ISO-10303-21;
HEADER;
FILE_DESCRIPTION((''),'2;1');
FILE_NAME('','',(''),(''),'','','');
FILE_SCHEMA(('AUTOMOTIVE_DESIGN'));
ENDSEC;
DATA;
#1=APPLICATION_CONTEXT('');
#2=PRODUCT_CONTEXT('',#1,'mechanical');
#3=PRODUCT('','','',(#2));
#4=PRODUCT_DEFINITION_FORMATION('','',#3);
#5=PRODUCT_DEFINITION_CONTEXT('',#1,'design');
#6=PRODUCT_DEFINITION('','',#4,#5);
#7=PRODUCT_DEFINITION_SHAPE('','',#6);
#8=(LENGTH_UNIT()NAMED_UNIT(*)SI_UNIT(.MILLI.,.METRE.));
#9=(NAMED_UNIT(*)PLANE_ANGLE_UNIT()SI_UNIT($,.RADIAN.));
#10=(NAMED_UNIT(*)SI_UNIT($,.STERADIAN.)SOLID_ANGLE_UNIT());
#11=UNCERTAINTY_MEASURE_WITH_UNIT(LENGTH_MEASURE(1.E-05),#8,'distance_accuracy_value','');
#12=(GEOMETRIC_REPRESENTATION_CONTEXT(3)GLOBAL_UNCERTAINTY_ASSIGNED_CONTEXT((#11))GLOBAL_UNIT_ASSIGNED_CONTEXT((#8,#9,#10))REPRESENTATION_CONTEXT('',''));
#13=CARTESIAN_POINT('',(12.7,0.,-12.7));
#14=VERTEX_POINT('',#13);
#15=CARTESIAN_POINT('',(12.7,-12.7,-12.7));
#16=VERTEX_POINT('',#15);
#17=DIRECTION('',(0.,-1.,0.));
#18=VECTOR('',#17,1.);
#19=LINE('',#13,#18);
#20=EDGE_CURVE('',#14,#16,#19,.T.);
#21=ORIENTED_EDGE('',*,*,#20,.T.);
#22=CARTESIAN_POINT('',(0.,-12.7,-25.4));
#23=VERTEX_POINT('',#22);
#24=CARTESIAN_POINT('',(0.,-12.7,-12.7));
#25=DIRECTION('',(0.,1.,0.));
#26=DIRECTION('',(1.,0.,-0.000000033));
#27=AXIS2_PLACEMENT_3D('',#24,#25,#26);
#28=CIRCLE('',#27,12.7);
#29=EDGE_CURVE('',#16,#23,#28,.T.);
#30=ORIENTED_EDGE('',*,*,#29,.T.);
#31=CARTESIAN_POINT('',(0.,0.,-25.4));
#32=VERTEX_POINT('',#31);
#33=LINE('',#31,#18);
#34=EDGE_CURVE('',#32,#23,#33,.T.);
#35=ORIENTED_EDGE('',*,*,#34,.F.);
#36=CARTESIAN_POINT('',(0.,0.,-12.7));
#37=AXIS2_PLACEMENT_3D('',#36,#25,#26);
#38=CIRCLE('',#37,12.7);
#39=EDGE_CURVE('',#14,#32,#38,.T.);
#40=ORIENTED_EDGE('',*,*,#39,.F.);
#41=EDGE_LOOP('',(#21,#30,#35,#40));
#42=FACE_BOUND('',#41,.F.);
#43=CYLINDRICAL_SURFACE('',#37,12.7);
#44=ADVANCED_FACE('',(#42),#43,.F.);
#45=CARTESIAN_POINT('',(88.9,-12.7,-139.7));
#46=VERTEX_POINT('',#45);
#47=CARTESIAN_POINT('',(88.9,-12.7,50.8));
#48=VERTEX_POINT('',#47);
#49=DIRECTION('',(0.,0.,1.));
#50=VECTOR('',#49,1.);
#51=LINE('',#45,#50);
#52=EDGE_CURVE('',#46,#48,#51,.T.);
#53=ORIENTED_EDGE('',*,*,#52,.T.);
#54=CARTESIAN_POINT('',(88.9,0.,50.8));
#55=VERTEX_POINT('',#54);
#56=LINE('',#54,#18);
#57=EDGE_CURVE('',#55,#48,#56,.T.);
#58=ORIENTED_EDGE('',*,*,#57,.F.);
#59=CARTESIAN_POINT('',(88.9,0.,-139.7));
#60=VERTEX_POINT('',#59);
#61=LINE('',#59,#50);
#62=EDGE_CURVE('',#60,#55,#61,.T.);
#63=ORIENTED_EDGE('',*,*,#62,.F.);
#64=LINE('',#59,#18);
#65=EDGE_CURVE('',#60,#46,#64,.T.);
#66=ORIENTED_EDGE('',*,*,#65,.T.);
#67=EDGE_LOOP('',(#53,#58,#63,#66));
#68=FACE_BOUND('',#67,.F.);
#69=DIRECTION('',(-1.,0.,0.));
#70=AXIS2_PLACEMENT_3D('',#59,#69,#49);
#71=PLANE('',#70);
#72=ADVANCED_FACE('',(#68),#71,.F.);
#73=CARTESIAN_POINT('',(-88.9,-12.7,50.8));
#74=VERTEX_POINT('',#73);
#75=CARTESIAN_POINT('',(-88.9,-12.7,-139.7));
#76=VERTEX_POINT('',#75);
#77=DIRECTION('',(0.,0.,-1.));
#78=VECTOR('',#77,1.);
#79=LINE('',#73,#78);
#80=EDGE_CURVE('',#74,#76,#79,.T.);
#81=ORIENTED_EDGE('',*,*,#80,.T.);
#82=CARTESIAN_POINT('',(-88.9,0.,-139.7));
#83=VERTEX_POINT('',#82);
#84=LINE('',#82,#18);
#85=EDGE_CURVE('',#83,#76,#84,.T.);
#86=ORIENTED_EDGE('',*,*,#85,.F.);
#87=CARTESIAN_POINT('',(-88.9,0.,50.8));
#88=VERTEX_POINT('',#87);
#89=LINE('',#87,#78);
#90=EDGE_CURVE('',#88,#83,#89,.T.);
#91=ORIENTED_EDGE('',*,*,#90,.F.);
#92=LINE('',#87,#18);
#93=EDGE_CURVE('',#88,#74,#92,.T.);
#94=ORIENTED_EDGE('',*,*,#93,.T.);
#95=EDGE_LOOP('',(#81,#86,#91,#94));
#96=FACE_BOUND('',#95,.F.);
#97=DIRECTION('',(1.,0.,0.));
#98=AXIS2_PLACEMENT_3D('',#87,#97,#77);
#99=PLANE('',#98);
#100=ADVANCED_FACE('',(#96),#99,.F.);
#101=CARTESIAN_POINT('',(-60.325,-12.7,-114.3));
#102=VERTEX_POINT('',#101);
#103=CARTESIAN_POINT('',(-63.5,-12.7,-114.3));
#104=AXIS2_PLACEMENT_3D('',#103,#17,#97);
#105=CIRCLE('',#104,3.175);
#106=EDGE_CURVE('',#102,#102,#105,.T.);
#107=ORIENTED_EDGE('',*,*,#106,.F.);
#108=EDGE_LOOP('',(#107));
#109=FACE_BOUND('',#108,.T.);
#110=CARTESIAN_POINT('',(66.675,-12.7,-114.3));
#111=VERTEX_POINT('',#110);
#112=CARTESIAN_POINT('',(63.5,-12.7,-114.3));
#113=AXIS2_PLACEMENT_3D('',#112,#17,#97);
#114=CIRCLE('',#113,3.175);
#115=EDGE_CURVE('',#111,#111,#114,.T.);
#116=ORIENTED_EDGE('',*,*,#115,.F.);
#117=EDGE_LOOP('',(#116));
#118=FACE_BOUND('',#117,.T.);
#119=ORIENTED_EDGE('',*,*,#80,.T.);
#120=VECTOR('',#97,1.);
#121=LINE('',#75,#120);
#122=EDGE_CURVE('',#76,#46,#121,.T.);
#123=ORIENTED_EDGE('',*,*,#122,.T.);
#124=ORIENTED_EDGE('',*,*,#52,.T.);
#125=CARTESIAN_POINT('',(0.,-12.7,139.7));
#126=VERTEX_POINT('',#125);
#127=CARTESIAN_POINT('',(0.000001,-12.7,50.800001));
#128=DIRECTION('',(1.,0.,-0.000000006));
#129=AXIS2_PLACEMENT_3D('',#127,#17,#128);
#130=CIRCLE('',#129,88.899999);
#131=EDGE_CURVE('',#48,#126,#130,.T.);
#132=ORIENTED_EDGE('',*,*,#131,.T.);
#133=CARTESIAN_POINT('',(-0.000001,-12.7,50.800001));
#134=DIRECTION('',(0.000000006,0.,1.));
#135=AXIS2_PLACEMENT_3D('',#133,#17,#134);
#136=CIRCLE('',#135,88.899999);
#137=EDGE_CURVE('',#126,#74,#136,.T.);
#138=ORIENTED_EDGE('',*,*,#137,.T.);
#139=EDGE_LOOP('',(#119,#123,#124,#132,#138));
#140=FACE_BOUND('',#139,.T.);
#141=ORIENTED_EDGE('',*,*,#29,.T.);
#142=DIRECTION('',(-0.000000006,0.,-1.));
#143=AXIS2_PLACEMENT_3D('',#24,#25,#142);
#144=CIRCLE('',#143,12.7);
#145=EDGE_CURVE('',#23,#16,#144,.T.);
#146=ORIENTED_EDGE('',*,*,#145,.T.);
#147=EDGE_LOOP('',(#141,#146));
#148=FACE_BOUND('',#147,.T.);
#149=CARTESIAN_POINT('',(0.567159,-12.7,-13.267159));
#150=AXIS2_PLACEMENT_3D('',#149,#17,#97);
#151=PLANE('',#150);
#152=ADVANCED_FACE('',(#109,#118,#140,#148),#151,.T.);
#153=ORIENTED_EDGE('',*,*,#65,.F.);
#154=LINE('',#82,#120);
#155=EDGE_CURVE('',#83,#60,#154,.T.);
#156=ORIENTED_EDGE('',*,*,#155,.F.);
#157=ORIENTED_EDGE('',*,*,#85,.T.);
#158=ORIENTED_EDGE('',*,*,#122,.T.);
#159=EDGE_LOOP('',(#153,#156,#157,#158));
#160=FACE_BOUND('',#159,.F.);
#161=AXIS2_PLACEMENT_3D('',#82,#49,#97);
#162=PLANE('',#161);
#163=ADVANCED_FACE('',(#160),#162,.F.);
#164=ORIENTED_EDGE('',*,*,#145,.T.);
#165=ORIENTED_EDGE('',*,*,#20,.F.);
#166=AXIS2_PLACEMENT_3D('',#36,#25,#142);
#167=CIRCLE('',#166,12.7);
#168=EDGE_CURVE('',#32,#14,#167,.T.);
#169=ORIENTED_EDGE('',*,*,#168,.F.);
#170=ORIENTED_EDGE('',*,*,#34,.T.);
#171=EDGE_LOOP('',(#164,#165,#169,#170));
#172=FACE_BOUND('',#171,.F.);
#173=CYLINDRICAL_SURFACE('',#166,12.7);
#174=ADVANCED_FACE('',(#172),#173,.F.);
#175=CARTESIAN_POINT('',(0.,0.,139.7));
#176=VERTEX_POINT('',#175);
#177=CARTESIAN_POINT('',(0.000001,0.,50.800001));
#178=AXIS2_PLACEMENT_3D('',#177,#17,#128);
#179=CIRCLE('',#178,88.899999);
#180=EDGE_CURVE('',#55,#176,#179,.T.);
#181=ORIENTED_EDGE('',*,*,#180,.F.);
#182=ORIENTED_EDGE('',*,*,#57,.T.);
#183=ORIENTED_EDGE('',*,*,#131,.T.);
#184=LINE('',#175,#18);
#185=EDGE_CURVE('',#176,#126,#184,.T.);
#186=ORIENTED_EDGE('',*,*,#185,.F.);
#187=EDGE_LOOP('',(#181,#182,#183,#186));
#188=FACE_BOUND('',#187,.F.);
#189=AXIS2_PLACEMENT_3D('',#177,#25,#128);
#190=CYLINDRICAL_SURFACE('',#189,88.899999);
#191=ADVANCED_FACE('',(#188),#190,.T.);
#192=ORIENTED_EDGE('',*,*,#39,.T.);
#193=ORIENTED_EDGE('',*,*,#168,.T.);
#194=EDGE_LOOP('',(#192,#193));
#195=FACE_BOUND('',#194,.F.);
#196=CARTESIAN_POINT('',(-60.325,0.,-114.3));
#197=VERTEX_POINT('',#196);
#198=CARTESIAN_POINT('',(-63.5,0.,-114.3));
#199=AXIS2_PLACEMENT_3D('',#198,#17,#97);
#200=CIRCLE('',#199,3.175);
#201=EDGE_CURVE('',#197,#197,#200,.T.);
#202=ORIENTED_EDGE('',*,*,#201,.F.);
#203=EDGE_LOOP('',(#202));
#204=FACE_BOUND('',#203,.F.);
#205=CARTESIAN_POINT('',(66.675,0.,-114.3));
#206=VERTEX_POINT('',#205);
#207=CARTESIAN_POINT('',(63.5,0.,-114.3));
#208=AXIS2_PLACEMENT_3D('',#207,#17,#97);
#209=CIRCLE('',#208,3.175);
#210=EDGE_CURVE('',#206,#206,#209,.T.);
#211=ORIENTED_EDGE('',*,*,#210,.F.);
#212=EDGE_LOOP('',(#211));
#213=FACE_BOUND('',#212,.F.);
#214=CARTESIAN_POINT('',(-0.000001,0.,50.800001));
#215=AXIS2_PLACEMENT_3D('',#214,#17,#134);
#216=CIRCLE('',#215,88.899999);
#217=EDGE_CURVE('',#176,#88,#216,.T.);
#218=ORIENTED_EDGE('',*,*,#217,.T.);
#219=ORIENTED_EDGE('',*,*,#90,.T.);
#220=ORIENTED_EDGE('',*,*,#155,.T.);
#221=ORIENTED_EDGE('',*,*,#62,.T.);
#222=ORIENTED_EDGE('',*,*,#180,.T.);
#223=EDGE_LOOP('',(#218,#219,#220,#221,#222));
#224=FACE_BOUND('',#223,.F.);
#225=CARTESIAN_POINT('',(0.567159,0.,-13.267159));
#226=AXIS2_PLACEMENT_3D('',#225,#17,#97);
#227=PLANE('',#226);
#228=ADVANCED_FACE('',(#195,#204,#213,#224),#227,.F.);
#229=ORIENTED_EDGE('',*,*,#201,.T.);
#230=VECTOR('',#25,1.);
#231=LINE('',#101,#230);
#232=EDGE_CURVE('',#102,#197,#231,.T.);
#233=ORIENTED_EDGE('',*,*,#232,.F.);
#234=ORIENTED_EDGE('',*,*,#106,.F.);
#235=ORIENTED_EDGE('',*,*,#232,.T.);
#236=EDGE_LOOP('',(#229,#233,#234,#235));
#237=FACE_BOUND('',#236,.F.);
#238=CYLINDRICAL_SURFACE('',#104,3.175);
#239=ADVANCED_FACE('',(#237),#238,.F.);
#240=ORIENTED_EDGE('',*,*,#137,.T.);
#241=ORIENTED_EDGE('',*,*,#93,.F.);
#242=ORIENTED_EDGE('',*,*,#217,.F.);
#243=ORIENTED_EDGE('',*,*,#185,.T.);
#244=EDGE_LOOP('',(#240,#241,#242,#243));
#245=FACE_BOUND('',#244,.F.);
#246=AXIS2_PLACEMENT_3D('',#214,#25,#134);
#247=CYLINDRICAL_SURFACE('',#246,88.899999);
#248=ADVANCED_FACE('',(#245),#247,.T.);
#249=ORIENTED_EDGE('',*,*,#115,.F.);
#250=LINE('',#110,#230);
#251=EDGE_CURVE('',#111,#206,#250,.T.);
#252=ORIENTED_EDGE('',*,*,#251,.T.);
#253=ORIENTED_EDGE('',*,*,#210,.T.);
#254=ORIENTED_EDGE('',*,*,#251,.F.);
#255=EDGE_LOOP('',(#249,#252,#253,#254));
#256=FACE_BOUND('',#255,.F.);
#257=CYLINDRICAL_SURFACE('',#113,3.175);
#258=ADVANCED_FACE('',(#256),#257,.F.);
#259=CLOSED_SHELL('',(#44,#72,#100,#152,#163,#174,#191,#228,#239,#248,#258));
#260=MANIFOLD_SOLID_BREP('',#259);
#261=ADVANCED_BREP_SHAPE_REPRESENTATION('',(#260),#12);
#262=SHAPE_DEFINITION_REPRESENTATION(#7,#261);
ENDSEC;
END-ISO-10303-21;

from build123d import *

# Parameters (mm, degrees)
F1_DEPTH = 12.7
F2_R     = 3.175
F3_DEPTH = 12.701


with BuildPart() as f1:
    # F0 (on Front) → F1 (new body)
    with BuildSketch(Plane.XZ):
        with BuildLine():
            ThreePointArc((12.7, -12.7), (-8.980256, -3.719744), (0, -25.4))
            ThreePointArc((0, -25.4), (8.980256, -21.680256), (12.7, -12.7))
        make_face()
        with BuildLine():
            Line((0, -139.7), (88.9, -139.7))
            Line((88.9, -139.7), (88.9, 50.8))
            ThreePointArc((88.9, 50.8), (62.861793, 113.661793), (0, 139.7))
            ThreePointArc((0, 139.7), (-62.861793, 113.661793), (-88.9, 50.8))
            Line((-88.9, 50.8), (-88.9, -139.7))
            Line((-88.9, -139.7), (0, -139.7))
        make_face()
        with BuildLine():
            ThreePointArc((12.7, -12.7), (8.980256, -21.680256), (0, -25.4))
            ThreePointArc((0, -25.4), (-8.980256, -3.719744), (12.7, -12.7))
        make_face(mode=Mode.SUBTRACT)
    extrude(amount=F1_DEPTH)

    # F2 (on face) → F3 (cut, through all)
    with BuildSketch(Plane.XZ.offset(12.7)):
        with BuildLine():
            ThreePointArc((-66.675, -114.3), (-63.5, -117.475), (-60.325, -114.3))
            ThreePointArc((-60.325, -114.3), (-63.5, -111.125), (-66.675, -114.3))
        make_face()
        with Locations((63.5, -114.3)):
            Circle(F2_R)
    extrude(amount=-F3_DEPTH, mode=Mode.SUBTRACT)


solid = f1.part
